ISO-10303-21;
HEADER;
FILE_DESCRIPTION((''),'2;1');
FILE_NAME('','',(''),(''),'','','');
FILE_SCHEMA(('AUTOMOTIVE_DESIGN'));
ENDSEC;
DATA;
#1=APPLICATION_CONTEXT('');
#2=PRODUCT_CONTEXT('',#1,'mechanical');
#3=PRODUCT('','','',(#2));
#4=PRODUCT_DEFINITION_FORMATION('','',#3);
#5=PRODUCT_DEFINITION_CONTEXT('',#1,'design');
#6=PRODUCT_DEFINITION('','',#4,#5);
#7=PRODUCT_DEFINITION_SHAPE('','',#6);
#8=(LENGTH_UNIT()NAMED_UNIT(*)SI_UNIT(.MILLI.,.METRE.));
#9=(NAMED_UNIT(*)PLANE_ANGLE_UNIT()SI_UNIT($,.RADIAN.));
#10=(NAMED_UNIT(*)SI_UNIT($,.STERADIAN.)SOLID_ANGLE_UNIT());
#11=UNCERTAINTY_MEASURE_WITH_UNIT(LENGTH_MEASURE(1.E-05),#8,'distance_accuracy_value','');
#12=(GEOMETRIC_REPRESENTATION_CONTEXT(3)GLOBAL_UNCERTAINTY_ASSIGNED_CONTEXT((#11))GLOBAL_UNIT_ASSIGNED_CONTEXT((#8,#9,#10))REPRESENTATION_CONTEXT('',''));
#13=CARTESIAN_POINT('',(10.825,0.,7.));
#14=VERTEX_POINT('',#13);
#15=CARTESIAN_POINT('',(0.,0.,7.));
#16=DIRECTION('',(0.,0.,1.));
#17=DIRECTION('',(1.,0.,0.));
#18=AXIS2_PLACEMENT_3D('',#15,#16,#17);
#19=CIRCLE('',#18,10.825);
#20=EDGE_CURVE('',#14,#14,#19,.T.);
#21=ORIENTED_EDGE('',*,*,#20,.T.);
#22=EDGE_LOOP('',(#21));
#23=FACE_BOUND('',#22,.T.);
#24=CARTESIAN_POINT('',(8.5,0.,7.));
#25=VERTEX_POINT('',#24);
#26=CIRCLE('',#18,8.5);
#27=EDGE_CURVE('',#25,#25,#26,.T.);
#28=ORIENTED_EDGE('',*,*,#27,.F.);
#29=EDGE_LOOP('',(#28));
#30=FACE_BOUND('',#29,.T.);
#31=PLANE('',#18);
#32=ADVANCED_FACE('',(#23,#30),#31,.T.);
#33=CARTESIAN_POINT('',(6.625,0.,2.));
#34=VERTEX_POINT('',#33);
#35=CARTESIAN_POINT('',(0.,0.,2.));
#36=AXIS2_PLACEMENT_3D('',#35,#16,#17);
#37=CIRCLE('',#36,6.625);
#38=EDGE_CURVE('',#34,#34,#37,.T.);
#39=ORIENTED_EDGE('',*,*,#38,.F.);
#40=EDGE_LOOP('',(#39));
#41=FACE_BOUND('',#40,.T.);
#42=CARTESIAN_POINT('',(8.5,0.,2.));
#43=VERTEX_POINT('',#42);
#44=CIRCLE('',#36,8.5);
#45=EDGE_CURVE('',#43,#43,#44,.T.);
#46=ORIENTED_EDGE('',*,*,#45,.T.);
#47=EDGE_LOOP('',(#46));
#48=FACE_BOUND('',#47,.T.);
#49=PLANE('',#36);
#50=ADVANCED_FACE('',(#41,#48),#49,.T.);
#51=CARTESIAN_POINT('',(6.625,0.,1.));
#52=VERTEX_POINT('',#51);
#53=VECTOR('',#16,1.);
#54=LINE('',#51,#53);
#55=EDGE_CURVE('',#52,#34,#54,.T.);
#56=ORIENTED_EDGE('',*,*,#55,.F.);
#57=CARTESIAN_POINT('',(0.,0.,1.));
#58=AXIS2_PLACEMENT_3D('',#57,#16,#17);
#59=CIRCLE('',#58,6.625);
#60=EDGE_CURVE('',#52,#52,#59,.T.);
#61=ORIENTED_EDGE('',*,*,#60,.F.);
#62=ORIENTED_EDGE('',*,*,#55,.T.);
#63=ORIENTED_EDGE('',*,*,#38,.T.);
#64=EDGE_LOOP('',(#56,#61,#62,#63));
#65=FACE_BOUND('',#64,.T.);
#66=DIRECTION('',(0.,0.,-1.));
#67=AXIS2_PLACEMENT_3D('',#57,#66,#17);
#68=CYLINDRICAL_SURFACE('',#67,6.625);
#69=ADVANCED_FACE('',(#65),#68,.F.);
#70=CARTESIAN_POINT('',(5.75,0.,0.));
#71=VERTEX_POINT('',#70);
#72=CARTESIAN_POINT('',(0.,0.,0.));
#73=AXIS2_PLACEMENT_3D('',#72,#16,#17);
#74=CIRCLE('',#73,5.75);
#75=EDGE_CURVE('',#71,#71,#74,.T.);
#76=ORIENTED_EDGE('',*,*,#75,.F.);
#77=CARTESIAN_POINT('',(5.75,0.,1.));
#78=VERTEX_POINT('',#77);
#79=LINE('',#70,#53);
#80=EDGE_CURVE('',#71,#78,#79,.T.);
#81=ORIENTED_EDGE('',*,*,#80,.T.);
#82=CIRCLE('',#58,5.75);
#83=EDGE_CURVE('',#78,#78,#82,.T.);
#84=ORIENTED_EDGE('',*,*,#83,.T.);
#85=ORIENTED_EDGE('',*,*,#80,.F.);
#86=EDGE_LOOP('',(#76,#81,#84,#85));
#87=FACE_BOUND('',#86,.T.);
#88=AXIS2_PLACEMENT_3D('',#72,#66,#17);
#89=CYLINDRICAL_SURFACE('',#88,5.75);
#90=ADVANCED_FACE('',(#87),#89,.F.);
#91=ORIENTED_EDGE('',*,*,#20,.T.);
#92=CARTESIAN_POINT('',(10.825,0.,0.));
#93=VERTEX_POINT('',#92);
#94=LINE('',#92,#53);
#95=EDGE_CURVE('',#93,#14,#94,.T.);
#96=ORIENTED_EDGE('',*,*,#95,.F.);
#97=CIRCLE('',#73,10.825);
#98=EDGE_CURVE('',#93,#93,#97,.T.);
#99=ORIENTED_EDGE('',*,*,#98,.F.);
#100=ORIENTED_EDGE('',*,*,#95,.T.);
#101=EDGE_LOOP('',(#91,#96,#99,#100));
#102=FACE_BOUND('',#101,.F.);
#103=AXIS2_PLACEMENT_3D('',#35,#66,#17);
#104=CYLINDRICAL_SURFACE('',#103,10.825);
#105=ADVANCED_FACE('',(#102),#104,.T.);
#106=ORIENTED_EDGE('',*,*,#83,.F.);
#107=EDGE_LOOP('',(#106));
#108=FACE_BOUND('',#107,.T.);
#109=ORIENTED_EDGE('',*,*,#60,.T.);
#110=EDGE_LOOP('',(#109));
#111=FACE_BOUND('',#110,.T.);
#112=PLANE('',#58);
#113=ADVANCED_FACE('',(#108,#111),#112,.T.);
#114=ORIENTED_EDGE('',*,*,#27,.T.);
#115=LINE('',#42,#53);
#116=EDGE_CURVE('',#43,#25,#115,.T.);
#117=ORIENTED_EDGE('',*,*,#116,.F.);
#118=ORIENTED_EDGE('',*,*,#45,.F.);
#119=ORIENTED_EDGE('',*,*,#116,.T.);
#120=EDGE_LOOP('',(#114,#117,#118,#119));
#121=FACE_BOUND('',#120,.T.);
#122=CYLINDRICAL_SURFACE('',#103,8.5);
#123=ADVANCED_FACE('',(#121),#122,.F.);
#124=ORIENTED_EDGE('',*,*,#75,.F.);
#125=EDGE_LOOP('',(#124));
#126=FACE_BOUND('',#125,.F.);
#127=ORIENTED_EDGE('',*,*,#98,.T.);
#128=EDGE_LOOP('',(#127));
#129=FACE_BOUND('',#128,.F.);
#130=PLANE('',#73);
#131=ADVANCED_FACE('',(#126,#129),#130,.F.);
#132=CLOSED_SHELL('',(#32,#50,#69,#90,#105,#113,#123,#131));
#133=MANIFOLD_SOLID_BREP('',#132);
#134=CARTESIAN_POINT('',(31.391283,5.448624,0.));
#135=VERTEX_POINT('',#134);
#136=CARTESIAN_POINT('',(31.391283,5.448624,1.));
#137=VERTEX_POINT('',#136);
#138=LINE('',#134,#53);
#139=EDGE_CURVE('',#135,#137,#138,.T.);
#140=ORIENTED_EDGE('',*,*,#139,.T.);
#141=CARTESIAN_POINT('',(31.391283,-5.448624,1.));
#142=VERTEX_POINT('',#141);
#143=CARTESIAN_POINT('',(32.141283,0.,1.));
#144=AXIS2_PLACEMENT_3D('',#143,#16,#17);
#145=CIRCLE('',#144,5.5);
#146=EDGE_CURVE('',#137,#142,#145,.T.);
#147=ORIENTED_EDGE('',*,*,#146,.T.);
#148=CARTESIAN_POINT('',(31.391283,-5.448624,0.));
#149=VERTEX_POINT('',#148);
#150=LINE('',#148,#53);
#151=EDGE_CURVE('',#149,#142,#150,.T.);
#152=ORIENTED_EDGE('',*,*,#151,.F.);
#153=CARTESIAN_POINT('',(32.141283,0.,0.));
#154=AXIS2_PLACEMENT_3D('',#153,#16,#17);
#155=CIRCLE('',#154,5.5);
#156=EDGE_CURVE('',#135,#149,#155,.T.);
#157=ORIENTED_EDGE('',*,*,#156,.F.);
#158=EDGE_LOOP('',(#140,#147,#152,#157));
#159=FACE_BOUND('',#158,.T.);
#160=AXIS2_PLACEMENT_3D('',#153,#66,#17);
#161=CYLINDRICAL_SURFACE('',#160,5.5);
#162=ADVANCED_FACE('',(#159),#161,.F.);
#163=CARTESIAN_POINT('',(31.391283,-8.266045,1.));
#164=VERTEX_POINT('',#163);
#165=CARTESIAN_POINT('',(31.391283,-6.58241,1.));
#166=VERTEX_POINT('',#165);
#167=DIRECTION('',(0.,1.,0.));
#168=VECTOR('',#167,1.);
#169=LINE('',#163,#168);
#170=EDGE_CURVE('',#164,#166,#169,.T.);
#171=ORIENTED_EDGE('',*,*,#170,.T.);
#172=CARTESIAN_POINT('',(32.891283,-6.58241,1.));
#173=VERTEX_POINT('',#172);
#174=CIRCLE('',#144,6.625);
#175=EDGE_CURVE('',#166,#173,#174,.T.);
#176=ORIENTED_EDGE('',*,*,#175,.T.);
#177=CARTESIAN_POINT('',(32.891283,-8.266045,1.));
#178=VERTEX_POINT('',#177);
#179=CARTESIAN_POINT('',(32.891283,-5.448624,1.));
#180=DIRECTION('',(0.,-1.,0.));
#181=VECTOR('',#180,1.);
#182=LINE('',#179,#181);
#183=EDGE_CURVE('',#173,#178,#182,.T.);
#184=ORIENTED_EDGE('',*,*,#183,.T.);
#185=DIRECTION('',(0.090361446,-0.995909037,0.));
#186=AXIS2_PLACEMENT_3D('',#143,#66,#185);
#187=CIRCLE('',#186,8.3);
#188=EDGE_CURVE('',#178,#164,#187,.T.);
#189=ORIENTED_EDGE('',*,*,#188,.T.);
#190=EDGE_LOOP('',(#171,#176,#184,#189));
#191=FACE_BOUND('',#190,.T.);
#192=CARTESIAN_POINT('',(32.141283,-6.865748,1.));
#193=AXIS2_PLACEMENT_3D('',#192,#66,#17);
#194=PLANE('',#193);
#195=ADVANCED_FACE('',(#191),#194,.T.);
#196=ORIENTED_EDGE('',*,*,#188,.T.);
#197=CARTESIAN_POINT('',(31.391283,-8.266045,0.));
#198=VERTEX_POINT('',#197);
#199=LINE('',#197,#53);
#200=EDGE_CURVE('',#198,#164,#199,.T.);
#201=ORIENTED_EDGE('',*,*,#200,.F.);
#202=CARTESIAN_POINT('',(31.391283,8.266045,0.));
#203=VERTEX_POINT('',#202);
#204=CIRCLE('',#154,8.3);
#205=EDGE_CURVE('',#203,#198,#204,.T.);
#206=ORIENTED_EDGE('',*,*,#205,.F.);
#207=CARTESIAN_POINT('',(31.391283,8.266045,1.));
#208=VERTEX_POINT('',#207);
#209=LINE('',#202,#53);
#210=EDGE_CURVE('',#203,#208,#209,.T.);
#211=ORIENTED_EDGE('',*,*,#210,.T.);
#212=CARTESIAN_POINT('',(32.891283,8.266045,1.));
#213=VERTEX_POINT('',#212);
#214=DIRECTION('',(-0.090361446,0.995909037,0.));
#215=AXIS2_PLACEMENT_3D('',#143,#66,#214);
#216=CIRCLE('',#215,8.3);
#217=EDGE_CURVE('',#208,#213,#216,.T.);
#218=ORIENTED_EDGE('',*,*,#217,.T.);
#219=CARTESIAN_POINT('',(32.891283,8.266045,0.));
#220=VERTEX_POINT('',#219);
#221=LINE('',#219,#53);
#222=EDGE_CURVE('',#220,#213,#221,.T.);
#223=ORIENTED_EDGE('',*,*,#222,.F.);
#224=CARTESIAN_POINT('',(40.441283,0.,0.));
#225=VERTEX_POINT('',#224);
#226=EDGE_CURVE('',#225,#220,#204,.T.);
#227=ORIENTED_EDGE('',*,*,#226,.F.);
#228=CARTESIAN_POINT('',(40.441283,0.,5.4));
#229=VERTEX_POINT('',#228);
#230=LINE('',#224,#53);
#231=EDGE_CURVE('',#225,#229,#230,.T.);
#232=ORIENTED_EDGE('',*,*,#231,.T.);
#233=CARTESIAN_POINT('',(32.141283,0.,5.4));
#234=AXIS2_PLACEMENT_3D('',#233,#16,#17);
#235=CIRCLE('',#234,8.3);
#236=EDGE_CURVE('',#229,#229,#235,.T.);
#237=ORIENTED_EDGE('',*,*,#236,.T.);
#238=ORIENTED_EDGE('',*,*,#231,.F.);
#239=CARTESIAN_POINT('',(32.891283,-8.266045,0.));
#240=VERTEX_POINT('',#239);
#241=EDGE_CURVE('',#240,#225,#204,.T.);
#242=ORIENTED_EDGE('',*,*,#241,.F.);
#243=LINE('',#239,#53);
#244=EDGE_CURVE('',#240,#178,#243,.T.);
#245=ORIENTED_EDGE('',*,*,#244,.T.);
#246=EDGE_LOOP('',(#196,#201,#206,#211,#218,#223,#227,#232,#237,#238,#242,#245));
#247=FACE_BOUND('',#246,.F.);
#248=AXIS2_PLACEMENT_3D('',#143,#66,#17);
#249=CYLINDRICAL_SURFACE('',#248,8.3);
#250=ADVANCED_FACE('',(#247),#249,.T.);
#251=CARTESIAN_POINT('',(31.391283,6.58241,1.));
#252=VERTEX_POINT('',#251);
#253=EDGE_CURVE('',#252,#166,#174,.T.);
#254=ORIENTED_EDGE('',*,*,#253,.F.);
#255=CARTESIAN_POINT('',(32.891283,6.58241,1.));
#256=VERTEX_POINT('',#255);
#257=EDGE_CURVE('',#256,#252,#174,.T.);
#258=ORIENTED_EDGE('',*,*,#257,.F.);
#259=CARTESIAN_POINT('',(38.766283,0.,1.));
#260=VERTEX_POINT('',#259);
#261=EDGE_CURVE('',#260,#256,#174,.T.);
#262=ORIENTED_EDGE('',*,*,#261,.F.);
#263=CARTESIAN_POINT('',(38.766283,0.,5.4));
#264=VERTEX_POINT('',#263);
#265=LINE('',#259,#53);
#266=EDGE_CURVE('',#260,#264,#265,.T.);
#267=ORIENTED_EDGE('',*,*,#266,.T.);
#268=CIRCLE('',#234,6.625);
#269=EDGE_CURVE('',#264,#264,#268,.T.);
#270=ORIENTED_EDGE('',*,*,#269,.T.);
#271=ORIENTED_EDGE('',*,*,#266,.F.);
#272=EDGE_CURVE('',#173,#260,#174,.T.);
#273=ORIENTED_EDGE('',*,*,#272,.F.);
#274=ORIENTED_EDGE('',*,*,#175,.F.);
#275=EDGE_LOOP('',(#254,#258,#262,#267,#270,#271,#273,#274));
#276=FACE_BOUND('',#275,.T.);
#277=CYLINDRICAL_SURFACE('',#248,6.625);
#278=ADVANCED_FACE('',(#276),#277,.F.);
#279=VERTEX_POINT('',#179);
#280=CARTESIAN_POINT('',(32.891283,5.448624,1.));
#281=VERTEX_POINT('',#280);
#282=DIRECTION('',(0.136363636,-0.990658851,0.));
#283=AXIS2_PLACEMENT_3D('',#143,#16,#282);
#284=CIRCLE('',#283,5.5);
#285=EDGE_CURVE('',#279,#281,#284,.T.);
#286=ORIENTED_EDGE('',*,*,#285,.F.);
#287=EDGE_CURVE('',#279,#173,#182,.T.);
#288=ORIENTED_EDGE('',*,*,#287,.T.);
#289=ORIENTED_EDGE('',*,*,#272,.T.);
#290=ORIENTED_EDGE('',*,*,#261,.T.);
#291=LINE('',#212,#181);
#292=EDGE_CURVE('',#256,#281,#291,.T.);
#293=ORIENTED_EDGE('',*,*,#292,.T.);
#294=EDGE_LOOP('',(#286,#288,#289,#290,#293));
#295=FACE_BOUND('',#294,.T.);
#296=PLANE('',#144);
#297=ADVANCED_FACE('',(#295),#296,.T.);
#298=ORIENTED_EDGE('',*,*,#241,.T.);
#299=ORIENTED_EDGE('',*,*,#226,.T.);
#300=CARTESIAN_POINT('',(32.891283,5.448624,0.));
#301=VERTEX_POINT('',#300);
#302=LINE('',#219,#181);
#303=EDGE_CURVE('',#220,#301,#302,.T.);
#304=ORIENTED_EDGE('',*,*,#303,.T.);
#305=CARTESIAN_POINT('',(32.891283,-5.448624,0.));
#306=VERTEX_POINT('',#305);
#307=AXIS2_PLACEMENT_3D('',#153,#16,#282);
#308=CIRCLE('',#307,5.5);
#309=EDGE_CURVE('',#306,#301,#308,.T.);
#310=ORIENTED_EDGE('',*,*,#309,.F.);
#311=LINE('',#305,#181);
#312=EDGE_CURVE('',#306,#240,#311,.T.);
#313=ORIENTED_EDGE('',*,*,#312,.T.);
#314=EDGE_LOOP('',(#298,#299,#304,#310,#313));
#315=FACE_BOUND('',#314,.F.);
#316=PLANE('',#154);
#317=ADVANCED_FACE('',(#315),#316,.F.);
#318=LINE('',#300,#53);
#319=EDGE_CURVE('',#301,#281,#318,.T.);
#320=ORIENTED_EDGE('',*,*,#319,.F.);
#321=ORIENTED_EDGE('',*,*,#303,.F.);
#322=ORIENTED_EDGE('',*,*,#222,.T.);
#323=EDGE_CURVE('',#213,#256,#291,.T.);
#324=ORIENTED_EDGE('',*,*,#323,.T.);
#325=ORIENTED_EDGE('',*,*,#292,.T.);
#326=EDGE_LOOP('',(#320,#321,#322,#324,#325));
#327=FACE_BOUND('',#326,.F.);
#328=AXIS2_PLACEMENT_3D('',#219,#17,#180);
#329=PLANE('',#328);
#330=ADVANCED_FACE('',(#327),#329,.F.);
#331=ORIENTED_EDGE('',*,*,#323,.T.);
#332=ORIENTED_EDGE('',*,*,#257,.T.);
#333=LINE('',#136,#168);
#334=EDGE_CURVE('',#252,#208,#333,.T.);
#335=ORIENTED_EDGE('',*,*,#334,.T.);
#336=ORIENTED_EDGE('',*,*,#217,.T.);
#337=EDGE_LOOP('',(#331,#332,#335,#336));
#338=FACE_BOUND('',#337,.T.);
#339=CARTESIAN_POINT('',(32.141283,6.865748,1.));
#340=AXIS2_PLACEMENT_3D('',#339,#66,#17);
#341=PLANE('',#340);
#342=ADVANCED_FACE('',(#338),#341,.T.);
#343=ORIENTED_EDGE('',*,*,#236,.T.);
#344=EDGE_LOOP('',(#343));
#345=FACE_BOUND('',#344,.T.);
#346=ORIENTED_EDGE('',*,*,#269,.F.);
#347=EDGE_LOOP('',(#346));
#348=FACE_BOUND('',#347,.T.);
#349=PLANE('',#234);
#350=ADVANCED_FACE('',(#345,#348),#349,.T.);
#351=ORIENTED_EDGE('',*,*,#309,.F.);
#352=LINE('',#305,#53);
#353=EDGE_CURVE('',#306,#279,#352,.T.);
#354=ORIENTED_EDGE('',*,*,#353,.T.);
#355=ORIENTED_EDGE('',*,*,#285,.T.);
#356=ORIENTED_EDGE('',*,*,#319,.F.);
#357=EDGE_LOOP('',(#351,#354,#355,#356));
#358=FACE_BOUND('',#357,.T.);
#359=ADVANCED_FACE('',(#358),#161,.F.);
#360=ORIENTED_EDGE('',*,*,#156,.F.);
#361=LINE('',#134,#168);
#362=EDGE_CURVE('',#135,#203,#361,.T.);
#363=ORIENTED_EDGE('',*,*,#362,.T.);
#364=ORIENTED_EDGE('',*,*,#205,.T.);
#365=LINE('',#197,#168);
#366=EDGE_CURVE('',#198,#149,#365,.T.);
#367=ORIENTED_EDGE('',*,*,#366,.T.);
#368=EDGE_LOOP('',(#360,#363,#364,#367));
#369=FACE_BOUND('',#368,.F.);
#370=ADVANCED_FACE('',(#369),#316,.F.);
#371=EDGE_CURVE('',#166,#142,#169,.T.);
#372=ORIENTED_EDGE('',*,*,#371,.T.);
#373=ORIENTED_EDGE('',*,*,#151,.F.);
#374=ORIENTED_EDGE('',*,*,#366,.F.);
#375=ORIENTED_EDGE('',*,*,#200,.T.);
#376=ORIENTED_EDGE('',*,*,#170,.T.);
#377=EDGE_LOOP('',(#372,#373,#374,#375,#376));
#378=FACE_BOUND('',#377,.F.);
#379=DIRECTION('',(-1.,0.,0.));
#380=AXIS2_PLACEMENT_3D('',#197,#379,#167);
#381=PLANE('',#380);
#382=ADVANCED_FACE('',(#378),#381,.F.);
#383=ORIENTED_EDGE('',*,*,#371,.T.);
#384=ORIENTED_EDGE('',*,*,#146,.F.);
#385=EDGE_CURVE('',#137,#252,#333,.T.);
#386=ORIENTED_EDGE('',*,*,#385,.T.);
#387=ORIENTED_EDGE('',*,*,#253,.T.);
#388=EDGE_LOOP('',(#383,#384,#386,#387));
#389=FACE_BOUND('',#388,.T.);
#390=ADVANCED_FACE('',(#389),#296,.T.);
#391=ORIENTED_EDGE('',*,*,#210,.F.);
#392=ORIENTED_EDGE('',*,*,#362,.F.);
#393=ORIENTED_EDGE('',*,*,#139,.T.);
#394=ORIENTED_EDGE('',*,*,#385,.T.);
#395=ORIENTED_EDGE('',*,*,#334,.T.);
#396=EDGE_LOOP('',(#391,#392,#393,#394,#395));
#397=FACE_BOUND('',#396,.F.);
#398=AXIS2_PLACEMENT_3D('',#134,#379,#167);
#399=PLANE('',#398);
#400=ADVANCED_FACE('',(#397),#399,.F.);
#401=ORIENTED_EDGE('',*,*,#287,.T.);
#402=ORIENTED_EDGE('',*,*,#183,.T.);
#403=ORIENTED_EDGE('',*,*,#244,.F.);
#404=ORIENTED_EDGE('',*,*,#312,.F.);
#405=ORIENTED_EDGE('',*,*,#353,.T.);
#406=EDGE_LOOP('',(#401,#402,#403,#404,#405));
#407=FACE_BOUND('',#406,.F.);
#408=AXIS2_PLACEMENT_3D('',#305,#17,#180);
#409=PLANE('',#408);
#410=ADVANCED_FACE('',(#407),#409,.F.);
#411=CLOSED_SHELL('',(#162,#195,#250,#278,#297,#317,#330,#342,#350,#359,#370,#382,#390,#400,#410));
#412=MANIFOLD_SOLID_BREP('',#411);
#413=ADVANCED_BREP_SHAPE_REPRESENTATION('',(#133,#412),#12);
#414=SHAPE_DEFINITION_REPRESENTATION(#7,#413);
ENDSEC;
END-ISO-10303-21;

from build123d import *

# Parameters (mm, degrees)
F0_R      = 10.825
F0_R_2    = 5.75
F1_DEPTH  = 1
F2_R      = 10.825
F2_R_2    = 6.625
F3_DEPTH  = 1
F4_R      = 10.825
F4_R_2    = 8.5
F5_DEPTH  = 5
F6_R      = 8.3
F6_R_2    = 5.5
F7_DEPTH  = 1
F8_R      = 8.3
F8_R_2    = 6.625
F9_DEPTH  = 4.4
F11_DEPTH = 1


with BuildPart() as f1:
    # F0 (on Top) → F1 (new body)
    with BuildSketch(Plane.XY):
        Circle(F0_R)
        Circle(F0_R_2, mode=Mode.SUBTRACT)
    extrude(amount=F1_DEPTH)

    # F2 (on face) → F3 (join)
    with BuildSketch(Plane.XY.offset(1)):
        Circle(F2_R)
        Circle(F2_R_2, mode=Mode.SUBTRACT)
    extrude(amount=F3_DEPTH)

    # F4 (on face) → F5 (join)
    with BuildSketch(Plane.XY.offset(2)):
        Circle(F4_R)
        Circle(F4_R_2, mode=Mode.SUBTRACT)
    extrude(amount=F5_DEPTH)


with BuildPart() as f7:
    # F6 (on Top) → F7 (new body)
    with BuildSketch(Plane.XY):
        with Locations((32.1412831545, 0)):
            Circle(F6_R)
        with Locations((32.1412831545, 0)):
            Circle(F6_R_2, mode=Mode.SUBTRACT)
    extrude(amount=F7_DEPTH)

    # F8 (on face) → F9 (join)
    with BuildSketch(Plane.XY.offset(1)):
        with Locations((32.1412831545, 0)):
            Circle(F8_R)
        with Locations((32.1412831545, 0)):
            Circle(F8_R_2, mode=Mode.SUBTRACT)
    extrude(amount=F9_DEPTH)

    # F10 (on face) → F11 (cut)
    with BuildSketch(Plane(origin=(0, 0, 0), x_dir=(1, 0, 0), z_dir=(0, 0, -1))):
        with BuildLine():
            ThreePointArc((31.3912831545, 5.4486236794), (32.1412831545, 5.5), (32.8912831545, 5.4486236794))
            Line((32.8912831545, 5.4486236794), (32.8912831545, 8.2660450035))
            ThreePointArc((32.8912831545, 8.2660450035), (32.1412831545, 8.3), (31.3912831545, 8.2660450035))
            Line((31.3912831545, 8.2660450035), (31.3912831545, 5.4486236794))
        make_face()
        with BuildLine():
            Line((32.8912831545, -8.2660450035), (32.8912831545, -5.4486236794))
            ThreePointArc((32.8912831545, -5.4486236794), (32.1412831545, -5.5), (31.3912831545, -5.4486236794))
            Line((31.3912831545, -5.4486236794), (31.3912831545, -8.2660450035))
            ThreePointArc((31.3912831545, -8.2660450035), (32.1412831545, -8.3), (32.8912831545, -8.2660450035))
        make_face()
    extrude(amount=-F11_DEPTH, mode=Mode.SUBTRACT)


solid = Compound([f1.part, f7.part])
